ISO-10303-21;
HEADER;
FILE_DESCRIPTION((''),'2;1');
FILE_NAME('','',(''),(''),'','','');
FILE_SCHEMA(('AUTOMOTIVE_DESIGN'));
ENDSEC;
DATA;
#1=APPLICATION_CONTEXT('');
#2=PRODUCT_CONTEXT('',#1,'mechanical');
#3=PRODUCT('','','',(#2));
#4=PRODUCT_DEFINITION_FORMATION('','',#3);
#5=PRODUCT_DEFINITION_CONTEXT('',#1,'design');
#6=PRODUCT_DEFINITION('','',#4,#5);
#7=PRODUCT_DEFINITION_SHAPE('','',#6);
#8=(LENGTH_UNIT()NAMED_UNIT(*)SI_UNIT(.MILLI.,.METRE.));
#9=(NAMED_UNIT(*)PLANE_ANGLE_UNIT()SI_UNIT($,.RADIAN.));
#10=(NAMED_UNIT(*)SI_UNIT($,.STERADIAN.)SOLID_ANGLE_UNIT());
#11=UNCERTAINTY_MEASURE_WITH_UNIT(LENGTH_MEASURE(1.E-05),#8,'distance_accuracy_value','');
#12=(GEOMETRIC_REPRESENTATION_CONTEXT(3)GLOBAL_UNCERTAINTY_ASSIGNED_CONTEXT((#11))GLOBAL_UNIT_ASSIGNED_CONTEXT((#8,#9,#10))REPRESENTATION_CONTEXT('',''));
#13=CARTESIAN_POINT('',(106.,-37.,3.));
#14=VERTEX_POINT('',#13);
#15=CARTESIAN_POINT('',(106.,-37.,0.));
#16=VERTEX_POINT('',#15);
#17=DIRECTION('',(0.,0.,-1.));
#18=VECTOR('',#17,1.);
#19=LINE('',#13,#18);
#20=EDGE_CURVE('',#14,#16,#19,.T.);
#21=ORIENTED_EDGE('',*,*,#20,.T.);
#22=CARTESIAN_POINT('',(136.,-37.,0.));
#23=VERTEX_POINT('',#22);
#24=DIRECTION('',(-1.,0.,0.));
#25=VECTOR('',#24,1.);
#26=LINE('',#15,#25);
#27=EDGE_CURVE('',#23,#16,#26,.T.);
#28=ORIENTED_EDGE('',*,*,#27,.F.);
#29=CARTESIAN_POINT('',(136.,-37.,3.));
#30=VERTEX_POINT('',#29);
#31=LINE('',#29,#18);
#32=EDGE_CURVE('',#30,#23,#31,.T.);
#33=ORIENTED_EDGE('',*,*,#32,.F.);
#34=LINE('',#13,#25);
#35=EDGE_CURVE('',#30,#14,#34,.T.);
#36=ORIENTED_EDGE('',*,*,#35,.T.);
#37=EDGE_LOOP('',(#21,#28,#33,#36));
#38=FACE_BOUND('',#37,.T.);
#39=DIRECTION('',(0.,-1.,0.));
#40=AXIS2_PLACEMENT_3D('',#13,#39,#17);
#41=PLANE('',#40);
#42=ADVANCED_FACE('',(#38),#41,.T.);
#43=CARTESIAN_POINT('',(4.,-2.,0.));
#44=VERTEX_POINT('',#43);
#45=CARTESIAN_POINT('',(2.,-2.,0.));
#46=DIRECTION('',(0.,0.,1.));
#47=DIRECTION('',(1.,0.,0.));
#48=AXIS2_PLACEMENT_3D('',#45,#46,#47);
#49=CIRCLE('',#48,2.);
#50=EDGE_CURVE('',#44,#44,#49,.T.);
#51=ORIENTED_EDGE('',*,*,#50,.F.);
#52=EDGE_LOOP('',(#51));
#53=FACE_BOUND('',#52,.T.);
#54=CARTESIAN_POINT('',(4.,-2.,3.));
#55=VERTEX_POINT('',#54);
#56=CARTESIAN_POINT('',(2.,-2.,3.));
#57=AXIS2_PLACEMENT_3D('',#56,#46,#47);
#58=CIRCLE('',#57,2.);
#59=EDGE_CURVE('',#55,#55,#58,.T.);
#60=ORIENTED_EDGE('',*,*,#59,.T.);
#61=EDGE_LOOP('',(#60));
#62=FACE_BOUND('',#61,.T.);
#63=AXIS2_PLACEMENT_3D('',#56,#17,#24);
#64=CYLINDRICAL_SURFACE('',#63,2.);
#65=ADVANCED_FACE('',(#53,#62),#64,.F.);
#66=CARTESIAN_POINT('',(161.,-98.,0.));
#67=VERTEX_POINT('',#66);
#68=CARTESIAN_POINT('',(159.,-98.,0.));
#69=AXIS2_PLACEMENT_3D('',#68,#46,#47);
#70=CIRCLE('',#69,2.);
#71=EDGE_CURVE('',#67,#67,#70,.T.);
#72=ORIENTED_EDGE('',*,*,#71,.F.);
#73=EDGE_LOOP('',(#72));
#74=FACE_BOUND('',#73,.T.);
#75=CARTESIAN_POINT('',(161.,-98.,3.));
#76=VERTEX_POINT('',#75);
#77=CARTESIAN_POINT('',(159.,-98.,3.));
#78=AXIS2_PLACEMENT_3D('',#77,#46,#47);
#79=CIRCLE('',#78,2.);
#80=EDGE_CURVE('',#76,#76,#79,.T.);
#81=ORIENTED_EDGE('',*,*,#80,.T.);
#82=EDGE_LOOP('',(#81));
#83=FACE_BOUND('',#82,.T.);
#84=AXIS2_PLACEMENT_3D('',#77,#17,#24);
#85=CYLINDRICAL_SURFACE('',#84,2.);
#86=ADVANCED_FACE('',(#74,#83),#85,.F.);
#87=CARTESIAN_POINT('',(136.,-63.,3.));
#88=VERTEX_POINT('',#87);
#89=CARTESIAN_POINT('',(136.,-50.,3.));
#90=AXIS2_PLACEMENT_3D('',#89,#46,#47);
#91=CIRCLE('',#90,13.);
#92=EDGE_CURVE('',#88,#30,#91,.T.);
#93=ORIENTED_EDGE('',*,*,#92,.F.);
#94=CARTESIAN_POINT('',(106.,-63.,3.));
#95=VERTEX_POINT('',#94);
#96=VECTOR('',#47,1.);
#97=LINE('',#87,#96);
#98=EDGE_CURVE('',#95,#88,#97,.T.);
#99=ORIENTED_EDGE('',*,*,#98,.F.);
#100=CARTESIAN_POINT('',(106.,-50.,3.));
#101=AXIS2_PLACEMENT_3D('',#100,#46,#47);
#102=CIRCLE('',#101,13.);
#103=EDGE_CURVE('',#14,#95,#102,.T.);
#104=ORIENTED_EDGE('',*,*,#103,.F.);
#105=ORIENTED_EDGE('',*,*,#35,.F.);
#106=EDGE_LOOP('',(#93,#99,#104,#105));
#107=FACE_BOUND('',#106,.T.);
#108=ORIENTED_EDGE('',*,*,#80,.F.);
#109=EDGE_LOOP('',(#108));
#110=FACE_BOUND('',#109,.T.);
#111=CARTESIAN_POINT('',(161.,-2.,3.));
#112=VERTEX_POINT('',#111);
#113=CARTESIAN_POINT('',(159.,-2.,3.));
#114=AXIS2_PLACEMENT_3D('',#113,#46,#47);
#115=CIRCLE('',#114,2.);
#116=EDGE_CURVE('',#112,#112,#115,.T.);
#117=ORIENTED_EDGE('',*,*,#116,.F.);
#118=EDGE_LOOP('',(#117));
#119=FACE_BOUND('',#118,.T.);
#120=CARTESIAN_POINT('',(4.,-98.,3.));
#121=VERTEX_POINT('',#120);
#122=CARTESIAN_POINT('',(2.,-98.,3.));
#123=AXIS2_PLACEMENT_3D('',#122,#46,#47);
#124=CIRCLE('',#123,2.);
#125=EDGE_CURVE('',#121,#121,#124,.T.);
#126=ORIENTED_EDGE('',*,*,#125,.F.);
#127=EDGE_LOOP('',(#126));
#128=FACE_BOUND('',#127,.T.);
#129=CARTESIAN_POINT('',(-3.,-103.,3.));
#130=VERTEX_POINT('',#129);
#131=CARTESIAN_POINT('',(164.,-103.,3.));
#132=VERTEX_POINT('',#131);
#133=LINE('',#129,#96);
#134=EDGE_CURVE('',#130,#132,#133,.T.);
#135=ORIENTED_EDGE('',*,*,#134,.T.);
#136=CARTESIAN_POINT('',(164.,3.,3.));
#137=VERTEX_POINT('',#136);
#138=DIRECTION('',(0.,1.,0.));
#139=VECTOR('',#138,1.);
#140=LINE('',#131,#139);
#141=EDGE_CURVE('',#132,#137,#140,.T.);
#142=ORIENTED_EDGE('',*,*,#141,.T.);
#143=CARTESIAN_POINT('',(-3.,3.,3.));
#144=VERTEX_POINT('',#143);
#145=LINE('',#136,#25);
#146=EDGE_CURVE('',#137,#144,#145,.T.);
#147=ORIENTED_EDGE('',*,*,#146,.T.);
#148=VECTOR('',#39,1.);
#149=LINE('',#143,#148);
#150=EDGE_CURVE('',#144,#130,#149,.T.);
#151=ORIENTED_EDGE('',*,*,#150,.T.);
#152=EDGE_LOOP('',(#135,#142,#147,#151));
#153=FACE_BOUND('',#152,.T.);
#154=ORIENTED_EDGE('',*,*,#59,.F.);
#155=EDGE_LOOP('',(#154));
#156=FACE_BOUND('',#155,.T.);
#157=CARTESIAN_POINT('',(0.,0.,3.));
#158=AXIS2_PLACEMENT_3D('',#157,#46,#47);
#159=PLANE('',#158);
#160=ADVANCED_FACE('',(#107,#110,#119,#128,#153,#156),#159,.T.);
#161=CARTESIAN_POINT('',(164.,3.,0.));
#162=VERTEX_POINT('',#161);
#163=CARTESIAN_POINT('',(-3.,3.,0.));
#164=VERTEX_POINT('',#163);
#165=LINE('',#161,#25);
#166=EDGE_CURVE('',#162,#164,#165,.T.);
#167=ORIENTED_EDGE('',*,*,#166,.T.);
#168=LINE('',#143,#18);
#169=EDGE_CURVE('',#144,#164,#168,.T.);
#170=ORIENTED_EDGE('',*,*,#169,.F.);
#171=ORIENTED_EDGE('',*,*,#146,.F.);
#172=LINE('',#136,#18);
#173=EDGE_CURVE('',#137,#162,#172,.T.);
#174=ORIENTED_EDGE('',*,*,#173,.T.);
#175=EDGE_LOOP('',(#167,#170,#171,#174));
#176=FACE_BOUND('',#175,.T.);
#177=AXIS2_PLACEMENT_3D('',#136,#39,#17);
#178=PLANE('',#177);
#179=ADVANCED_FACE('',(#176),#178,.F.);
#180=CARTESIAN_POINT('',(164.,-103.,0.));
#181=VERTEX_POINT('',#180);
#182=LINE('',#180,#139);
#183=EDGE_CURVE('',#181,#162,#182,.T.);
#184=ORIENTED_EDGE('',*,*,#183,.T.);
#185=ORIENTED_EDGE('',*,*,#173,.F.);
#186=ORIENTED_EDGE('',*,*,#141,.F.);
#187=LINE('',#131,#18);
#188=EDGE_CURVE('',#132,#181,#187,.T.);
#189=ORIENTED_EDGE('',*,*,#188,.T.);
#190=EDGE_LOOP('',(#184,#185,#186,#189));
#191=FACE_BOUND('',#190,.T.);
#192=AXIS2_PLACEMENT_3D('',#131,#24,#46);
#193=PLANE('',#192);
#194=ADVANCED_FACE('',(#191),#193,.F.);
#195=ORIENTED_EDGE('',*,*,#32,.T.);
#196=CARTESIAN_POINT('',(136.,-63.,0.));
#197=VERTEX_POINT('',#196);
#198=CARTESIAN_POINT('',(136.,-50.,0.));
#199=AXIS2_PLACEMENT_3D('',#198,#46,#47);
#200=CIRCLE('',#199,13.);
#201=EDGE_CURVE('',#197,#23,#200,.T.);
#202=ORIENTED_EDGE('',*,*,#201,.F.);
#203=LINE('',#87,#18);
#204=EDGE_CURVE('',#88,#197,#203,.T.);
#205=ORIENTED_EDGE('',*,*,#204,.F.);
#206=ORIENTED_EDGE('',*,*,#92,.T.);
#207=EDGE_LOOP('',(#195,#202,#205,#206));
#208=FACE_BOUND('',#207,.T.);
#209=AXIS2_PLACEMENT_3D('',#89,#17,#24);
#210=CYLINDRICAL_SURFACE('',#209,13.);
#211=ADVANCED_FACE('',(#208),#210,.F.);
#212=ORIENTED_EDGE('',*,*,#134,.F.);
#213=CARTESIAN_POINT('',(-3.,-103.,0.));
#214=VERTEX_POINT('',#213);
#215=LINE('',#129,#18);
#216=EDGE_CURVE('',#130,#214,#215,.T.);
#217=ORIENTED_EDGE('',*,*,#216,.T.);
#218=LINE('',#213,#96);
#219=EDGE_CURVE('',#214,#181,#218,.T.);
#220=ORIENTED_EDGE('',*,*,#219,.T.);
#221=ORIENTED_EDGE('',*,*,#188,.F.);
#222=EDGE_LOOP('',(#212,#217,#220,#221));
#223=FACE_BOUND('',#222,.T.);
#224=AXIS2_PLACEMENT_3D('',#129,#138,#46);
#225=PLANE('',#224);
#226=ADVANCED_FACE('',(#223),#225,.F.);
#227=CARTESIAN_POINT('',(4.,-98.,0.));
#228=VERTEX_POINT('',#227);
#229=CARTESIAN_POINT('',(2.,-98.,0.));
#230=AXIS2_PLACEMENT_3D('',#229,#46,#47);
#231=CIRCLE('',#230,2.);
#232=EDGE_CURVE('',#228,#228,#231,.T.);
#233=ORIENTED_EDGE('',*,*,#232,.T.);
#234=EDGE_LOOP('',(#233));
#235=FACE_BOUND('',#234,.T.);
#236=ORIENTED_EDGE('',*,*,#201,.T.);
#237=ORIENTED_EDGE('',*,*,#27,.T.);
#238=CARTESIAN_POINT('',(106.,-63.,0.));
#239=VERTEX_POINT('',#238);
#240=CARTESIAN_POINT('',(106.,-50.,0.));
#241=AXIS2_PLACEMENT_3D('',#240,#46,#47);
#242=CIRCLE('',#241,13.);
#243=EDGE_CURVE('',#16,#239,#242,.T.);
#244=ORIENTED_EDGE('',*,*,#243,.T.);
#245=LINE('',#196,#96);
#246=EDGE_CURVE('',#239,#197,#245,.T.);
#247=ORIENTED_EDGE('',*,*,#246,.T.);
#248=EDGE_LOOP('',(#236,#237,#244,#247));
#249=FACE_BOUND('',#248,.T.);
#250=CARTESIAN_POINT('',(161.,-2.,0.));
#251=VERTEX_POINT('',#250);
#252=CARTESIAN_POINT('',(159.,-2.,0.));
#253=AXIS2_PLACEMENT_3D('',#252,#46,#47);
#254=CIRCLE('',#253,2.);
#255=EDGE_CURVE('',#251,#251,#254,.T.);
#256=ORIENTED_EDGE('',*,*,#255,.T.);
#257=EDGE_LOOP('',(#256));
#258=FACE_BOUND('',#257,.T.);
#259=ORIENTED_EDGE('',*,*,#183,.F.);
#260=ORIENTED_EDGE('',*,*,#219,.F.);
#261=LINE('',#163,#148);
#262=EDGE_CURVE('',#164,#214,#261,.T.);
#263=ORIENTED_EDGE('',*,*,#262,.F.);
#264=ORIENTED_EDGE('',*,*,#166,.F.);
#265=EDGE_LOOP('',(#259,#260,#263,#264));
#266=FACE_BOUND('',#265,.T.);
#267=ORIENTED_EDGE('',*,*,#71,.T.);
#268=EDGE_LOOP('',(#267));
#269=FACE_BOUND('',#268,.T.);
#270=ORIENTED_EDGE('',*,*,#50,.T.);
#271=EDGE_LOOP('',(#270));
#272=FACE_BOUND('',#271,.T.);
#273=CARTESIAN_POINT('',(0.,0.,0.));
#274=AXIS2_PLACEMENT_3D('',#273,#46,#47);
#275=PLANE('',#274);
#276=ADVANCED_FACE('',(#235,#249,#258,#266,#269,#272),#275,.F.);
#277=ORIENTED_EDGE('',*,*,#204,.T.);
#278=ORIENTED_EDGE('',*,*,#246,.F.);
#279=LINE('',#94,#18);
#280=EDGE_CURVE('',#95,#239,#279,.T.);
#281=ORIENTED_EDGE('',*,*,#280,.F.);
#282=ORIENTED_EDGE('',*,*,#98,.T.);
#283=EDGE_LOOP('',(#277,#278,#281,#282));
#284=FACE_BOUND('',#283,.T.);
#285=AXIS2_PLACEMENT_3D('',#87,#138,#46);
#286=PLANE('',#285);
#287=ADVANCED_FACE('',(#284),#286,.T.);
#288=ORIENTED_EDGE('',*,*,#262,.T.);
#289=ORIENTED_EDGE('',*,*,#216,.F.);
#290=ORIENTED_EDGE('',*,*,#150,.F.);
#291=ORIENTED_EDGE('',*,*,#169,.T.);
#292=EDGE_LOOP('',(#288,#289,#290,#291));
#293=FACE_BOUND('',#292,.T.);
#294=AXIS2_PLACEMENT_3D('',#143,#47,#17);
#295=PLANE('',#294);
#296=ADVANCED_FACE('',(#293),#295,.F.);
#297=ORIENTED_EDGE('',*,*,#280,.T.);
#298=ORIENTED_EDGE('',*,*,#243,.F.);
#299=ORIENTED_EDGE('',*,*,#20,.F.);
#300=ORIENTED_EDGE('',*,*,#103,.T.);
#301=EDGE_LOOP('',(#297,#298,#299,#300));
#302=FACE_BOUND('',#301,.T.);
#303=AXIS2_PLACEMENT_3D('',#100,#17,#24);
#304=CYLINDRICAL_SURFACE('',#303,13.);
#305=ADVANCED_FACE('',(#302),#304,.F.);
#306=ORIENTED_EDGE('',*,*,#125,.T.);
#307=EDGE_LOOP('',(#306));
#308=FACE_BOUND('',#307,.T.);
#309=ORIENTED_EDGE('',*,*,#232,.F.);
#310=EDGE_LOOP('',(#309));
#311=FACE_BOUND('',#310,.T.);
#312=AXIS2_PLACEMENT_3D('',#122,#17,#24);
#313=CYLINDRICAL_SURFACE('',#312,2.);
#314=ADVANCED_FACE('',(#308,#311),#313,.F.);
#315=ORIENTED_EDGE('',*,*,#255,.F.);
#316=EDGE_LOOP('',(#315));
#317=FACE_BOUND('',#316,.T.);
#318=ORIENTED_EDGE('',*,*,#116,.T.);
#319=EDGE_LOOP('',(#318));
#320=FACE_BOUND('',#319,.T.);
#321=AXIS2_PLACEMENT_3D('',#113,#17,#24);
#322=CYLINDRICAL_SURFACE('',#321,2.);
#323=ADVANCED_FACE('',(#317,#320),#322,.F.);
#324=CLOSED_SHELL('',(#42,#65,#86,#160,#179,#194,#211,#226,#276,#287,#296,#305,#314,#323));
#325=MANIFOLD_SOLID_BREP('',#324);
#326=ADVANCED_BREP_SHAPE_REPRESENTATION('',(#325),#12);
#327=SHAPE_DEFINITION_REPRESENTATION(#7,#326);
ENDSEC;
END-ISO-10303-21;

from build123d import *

# Parameters (mm, degrees)
SKETCH1_W           = 167
SKETCH1_H           = 106
SKETCH1_R           = 2
BOSS_EXTRUDE1_DEPTH = 3


with BuildPart() as part:
    # Sketch1 → Boss-Extrude1 (new body)
    with BuildSketch(Plane(origin=(0, 0, 0), x_dir=(-1, 0, 0), z_dir=(0, 0, 1))):
        with Locations((-80.5, 50)):
            Rectangle(SKETCH1_W, SKETCH1_H)
        with Locations((-159, 98)):
            Circle(SKETCH1_R, mode=Mode.SUBTRACT)
        with Locations((-2, 98)):
            Circle(SKETCH1_R, mode=Mode.SUBTRACT)
        with Locations((-2, 2)):
            Circle(SKETCH1_R, mode=Mode.SUBTRACT)
        with Locations((-159, 2)):
            Circle(SKETCH1_R, mode=Mode.SUBTRACT)
        with BuildLine():
            Line((-136, 63), (-106, 63))
            ThreePointArc((-106, 63), (-93, 50), (-106, 37))
            Line((-106, 37), (-136, 37))
            ThreePointArc((-136, 37), (-149, 50), (-136, 63))
        make_face(mode=Mode.SUBTRACT)
    extrude(amount=BOSS_EXTRUDE1_DEPTH)


solid = part.part
